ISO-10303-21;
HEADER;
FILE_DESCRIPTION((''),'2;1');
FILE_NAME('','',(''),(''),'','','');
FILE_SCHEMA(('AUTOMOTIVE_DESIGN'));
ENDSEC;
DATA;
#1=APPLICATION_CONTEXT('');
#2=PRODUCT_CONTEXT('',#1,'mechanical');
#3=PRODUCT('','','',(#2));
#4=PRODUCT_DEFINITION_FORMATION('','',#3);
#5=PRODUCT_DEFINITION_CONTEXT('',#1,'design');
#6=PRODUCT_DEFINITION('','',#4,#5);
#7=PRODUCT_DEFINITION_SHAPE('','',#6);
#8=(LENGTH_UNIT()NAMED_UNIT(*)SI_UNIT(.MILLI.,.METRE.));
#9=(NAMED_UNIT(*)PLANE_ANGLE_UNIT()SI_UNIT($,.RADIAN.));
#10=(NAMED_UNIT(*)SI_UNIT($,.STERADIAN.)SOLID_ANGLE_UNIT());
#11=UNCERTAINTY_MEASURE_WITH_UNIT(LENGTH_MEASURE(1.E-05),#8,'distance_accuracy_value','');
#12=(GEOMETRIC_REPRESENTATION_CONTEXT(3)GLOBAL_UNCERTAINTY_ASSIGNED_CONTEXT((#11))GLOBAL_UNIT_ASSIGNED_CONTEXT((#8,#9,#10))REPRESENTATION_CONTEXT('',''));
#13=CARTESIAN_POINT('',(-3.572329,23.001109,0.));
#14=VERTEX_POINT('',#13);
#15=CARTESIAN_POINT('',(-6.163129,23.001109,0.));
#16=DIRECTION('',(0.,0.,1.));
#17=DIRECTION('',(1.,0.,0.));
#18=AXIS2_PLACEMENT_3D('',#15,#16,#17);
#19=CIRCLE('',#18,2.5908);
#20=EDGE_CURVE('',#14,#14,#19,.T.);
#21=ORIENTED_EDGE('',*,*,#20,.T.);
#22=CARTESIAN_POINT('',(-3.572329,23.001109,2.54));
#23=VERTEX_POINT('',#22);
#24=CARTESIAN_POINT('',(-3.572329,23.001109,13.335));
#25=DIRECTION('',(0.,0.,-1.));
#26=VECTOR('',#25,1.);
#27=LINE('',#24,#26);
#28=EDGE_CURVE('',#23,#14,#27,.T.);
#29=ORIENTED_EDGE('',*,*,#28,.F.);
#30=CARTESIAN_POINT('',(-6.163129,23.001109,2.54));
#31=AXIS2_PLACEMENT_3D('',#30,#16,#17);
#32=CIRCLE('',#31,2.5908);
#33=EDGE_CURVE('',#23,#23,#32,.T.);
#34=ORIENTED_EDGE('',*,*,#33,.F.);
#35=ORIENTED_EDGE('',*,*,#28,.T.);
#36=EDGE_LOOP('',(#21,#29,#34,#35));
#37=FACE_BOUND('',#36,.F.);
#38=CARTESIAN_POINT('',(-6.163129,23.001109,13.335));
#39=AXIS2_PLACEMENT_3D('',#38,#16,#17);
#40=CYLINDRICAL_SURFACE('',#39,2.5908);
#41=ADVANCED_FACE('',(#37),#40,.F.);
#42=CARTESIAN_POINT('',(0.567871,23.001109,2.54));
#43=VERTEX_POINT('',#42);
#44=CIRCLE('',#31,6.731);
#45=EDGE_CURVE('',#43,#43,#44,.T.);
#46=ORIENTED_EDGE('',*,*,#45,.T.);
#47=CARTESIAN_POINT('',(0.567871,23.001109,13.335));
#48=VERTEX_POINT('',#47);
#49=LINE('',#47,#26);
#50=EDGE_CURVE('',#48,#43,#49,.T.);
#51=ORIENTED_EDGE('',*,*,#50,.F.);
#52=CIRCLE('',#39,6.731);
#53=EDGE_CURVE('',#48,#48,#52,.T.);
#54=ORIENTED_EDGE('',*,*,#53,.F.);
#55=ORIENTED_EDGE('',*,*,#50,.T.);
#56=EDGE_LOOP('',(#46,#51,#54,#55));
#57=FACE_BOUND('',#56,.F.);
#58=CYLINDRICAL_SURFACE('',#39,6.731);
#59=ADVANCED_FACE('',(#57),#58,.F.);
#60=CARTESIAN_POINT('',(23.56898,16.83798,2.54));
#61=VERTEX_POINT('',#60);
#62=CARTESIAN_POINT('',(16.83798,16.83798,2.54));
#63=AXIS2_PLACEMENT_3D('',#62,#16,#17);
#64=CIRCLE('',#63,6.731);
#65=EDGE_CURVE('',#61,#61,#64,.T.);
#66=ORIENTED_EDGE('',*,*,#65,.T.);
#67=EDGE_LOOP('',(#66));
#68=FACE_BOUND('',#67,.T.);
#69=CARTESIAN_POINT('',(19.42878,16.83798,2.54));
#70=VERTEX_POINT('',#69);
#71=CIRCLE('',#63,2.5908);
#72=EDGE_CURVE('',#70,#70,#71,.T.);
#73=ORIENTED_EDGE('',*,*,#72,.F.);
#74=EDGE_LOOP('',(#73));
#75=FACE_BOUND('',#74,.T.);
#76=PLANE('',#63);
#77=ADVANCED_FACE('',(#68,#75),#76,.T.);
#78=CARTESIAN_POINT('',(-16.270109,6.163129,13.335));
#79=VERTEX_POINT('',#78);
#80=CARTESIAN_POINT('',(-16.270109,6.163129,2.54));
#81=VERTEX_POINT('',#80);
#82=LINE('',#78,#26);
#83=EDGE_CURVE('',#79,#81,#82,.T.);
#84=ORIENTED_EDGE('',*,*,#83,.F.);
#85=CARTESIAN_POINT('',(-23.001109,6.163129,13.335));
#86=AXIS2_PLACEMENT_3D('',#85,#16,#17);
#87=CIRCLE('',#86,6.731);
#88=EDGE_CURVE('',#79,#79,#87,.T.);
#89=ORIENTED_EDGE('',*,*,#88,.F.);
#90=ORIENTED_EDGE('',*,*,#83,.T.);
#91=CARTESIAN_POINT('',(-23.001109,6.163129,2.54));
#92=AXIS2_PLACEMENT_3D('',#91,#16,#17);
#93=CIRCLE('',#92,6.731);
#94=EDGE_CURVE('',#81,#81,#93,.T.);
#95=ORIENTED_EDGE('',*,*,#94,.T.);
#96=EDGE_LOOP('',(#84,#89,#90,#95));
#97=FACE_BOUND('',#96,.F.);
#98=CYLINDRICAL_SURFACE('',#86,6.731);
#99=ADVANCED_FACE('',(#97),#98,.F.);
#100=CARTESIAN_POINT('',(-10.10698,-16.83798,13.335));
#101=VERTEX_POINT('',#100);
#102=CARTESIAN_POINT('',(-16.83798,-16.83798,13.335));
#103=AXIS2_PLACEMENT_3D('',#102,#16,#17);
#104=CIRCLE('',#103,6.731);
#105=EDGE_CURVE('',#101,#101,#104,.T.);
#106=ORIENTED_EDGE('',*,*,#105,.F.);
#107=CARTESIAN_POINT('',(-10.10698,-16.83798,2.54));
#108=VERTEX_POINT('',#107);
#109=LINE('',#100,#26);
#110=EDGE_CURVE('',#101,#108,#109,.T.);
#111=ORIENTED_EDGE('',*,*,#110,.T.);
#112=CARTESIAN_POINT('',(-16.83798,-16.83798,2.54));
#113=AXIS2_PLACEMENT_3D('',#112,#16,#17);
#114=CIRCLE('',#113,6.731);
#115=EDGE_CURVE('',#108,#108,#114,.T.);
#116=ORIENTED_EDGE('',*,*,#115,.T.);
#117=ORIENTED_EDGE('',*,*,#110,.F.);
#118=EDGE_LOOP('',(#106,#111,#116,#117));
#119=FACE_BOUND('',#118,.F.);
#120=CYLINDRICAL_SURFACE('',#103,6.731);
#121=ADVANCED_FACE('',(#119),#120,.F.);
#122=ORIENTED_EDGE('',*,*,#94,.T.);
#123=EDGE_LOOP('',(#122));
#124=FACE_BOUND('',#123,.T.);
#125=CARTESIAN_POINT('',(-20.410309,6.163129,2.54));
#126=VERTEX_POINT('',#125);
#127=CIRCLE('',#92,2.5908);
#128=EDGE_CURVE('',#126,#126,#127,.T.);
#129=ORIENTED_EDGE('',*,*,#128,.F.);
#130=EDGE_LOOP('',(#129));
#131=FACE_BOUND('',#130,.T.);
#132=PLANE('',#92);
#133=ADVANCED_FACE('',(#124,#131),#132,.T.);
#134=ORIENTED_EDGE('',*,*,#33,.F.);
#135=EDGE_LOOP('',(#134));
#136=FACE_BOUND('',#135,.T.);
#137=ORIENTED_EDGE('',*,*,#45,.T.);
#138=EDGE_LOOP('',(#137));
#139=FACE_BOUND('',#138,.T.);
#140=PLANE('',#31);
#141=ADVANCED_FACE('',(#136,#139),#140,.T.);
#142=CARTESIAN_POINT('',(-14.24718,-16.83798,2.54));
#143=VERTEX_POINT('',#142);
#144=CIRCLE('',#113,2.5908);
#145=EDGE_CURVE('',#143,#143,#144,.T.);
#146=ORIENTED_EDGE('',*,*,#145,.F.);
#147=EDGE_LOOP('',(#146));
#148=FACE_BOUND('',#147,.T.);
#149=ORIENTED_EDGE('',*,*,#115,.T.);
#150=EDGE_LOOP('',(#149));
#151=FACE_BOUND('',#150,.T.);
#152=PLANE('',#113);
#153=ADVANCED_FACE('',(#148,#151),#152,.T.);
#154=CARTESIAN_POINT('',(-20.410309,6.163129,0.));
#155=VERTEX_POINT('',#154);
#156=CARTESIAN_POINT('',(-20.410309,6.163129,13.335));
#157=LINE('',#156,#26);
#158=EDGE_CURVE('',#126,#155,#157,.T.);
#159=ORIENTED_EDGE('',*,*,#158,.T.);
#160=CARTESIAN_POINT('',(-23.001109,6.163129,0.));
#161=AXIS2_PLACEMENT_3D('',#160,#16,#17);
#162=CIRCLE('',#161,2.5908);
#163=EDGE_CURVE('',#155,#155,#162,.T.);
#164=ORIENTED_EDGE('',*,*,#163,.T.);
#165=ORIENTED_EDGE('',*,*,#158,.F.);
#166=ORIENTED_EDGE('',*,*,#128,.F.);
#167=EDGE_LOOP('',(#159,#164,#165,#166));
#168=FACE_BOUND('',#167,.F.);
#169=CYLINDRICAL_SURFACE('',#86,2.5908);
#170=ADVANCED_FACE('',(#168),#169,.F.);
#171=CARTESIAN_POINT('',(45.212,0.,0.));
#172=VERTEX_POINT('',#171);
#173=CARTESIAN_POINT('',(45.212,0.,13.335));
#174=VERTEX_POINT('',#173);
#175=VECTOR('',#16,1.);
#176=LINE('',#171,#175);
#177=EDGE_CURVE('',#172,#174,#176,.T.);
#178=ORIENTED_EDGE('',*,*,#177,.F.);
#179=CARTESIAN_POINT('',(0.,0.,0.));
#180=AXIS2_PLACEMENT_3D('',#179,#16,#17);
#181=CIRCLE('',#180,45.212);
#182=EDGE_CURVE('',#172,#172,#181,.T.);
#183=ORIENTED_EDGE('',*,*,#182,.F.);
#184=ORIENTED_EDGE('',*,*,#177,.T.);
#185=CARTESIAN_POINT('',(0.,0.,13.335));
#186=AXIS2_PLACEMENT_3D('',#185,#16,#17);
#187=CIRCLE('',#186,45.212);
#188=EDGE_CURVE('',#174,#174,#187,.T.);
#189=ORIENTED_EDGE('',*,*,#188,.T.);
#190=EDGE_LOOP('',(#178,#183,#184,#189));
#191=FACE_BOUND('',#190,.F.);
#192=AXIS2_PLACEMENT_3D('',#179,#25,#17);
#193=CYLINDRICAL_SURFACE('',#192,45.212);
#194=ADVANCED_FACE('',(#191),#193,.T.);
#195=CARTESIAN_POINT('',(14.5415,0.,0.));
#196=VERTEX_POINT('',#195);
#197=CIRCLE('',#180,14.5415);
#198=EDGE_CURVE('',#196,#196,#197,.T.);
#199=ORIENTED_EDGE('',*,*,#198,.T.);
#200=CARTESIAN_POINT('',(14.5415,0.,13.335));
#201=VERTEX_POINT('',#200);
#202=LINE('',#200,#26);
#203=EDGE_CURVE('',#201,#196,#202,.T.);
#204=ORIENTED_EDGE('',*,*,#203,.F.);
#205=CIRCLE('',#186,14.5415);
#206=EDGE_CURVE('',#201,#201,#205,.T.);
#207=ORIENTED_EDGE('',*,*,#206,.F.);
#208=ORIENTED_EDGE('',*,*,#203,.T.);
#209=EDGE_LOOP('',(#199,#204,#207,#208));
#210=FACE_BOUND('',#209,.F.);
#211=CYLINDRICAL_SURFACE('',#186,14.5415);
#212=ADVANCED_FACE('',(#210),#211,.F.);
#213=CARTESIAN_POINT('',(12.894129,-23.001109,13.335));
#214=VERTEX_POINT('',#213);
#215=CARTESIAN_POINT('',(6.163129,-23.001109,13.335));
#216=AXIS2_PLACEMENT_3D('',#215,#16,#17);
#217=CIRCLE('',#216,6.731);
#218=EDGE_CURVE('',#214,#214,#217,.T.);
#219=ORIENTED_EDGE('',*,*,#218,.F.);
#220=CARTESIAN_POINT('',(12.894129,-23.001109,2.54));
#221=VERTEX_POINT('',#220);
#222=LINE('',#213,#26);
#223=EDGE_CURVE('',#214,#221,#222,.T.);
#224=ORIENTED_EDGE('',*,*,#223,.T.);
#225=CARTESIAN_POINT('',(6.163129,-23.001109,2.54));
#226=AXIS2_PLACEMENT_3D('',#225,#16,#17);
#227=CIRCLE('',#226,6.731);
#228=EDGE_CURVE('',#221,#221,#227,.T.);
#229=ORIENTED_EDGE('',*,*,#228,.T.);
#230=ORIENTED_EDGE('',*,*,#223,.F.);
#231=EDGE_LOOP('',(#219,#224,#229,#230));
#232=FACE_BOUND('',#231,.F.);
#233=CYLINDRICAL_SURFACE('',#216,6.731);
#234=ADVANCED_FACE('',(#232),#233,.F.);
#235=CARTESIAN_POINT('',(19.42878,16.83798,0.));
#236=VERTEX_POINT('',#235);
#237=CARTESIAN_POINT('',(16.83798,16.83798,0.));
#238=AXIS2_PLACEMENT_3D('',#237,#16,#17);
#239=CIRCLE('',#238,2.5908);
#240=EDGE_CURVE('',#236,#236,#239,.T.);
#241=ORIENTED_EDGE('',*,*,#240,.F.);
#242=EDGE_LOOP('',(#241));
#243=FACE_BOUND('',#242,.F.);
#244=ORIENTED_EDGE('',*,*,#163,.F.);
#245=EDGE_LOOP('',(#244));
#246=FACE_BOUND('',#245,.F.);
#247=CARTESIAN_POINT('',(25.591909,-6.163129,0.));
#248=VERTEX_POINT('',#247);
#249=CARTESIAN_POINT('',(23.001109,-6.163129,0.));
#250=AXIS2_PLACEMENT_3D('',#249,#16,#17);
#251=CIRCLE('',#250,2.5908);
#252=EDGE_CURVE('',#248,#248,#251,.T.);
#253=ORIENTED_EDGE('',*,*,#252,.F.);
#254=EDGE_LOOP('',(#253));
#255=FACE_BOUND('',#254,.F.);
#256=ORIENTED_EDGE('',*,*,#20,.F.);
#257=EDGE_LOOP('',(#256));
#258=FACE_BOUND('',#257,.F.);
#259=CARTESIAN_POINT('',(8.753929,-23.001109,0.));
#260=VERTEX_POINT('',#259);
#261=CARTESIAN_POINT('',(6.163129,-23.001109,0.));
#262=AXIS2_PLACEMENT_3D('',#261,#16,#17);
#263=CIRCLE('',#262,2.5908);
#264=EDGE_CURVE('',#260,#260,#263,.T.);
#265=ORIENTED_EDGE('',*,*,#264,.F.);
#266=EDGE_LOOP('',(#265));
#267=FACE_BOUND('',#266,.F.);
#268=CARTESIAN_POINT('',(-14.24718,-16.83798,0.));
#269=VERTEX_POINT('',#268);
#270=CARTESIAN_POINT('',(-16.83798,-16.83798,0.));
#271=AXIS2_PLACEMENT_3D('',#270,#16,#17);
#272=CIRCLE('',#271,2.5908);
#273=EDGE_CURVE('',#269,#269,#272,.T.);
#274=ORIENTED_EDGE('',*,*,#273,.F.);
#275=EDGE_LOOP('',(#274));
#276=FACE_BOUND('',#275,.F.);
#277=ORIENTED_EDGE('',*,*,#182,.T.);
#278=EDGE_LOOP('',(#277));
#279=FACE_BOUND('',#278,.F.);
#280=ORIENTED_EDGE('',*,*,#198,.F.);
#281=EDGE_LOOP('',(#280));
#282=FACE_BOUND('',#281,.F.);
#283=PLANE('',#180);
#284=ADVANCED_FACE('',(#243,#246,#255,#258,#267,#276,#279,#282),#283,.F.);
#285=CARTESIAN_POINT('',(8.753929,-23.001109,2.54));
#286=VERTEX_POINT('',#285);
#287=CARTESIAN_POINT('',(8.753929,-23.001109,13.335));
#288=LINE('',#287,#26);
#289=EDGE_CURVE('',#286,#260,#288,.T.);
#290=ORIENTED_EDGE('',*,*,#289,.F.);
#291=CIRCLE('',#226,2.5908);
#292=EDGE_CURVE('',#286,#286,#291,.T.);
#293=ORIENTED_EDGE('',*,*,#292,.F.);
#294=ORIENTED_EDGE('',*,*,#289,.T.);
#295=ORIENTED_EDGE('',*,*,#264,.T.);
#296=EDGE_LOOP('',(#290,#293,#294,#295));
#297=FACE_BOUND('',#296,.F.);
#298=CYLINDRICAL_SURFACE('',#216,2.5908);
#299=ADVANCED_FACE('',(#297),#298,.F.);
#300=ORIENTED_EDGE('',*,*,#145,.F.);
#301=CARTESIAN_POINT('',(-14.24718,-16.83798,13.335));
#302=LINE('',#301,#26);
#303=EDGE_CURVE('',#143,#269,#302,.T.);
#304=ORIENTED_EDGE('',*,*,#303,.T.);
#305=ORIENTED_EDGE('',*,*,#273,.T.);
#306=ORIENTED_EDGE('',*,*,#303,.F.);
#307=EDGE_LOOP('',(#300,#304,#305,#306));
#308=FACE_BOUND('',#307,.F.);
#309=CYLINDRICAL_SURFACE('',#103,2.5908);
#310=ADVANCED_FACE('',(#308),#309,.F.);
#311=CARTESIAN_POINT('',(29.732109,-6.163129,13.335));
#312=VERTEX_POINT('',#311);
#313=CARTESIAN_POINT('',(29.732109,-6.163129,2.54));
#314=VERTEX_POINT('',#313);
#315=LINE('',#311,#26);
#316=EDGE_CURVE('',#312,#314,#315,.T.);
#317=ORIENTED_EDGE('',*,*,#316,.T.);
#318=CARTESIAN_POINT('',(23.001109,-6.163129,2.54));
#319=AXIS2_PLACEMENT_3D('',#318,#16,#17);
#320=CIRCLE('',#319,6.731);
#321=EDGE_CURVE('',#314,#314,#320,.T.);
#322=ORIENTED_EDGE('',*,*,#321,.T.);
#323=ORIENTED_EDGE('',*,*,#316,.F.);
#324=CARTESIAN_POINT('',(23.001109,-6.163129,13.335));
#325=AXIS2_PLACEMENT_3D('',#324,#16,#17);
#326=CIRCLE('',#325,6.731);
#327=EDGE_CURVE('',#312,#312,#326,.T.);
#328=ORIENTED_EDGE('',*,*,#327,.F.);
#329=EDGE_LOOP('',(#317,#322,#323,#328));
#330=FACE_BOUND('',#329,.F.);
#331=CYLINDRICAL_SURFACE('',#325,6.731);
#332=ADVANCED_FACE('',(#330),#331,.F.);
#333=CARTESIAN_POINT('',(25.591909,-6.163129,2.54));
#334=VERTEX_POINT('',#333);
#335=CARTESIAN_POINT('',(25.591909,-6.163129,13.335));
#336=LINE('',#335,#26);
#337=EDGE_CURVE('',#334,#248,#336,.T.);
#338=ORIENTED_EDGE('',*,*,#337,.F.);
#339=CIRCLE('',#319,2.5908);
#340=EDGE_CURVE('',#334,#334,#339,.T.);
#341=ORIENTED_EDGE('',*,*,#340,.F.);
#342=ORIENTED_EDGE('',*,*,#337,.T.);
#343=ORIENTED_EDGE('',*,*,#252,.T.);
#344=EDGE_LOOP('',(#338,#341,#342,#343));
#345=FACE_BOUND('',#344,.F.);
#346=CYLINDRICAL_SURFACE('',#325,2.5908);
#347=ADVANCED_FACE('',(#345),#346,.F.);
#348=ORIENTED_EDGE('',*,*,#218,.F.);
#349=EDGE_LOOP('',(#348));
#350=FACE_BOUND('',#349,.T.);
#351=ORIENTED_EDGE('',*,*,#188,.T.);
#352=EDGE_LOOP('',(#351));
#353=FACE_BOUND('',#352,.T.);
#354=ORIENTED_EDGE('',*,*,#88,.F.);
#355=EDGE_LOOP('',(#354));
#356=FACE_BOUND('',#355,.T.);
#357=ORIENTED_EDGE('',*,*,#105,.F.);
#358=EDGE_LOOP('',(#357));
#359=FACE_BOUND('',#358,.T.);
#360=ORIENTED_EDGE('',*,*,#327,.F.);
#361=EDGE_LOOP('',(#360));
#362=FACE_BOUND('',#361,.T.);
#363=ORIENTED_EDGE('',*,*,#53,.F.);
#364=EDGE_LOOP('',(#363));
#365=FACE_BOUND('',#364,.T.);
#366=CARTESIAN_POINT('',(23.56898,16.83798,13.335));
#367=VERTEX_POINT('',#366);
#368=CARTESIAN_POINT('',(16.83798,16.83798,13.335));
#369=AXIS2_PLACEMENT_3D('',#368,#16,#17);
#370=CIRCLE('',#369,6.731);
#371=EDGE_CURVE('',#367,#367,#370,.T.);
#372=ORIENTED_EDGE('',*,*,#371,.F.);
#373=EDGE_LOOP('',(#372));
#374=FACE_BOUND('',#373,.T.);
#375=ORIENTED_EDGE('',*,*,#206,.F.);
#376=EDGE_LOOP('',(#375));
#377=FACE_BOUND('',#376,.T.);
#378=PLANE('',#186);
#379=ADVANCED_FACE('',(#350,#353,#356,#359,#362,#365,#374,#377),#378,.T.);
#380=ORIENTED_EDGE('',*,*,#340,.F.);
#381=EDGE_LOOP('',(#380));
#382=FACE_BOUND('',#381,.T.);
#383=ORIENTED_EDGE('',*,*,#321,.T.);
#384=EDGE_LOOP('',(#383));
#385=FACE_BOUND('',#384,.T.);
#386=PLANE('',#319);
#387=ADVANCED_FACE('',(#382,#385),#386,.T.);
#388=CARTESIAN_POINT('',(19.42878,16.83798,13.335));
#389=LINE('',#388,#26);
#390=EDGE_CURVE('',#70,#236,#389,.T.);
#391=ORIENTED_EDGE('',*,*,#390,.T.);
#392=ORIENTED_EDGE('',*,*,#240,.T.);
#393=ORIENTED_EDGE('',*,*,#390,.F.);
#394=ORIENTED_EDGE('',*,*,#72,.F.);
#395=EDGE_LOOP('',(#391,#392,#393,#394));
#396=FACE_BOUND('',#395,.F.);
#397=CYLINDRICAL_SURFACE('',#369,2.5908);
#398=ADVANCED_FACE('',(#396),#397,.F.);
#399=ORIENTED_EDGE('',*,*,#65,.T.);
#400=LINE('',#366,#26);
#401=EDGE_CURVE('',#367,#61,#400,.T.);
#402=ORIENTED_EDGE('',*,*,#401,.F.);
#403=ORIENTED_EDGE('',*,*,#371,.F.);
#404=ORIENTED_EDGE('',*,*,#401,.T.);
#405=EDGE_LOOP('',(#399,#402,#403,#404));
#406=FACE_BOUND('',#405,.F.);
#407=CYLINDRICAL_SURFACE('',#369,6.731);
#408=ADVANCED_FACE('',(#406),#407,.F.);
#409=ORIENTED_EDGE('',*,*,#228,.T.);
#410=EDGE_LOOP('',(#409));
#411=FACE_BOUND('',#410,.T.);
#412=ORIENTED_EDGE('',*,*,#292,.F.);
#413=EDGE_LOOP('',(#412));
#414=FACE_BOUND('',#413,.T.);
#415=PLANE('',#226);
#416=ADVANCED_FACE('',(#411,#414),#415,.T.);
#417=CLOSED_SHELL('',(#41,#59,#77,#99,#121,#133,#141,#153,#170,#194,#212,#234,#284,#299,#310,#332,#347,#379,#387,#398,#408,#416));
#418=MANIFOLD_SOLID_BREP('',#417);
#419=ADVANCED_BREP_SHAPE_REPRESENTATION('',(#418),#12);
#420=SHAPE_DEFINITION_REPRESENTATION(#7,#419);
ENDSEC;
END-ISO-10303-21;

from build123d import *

# Parameters (mm, degrees)
F0_R     = 45.212
F1_DEPTH = 13.335
F2_R     = 2.5908
F3_DEPTH = 25.4
F4_R     = 14.5415
F5_DEPTH = 25.4
F6_R     = 6.731
F7_DEPTH = 10.795


with BuildPart() as f1:
    # F0 (on Top) → F1 (new body)
    with BuildSketch(Plane.XY):
        Circle(F0_R)
    extrude(amount=F1_DEPTH)

    # F2 (on face) → F3 (cut)
    with BuildSketch(Plane.XY.offset(13.335)):
        with Locations((-6.163129, 23.001109)):
            Circle(F2_R)
        with Locations((-23.001109, 6.163129)):
            Circle(F2_R)
        with Locations((-16.83798, -16.83798)):
            Circle(F2_R)
        with Locations((6.163129, -23.001109)):
            Circle(F2_R)
        with Locations((23.001109, -6.163129)):
            Circle(F2_R)
        with Locations((16.83798, 16.83798)):
            Circle(F2_R)
    extrude(amount=-F3_DEPTH, mode=Mode.SUBTRACT)

    # F4 (on face) → F5 (cut)
    with BuildSketch(Plane.XY.offset(13.335)):
        Circle(F4_R)
    extrude(amount=-F5_DEPTH, mode=Mode.SUBTRACT)

    # F6 (on face) → F7 (cut)
    with BuildSketch(Plane.XY.offset(13.335)):
        with Locations((-6.163129, 23.001109)):
            Circle(F6_R)
        with Locations((16.83798, 16.83798)):
            Circle(F6_R)
        with Locations((23.001109, -6.163129)):
            Circle(F6_R)
        with Locations((6.163129, -23.001109)):
            Circle(F6_R)
        with Locations((-16.83798, -16.83798)):
            Circle(F6_R)
        with Locations((-23.001109, 6.163129)):
            Circle(F6_R)
    extrude(amount=-F7_DEPTH, mode=Mode.SUBTRACT)


solid = f1.part
